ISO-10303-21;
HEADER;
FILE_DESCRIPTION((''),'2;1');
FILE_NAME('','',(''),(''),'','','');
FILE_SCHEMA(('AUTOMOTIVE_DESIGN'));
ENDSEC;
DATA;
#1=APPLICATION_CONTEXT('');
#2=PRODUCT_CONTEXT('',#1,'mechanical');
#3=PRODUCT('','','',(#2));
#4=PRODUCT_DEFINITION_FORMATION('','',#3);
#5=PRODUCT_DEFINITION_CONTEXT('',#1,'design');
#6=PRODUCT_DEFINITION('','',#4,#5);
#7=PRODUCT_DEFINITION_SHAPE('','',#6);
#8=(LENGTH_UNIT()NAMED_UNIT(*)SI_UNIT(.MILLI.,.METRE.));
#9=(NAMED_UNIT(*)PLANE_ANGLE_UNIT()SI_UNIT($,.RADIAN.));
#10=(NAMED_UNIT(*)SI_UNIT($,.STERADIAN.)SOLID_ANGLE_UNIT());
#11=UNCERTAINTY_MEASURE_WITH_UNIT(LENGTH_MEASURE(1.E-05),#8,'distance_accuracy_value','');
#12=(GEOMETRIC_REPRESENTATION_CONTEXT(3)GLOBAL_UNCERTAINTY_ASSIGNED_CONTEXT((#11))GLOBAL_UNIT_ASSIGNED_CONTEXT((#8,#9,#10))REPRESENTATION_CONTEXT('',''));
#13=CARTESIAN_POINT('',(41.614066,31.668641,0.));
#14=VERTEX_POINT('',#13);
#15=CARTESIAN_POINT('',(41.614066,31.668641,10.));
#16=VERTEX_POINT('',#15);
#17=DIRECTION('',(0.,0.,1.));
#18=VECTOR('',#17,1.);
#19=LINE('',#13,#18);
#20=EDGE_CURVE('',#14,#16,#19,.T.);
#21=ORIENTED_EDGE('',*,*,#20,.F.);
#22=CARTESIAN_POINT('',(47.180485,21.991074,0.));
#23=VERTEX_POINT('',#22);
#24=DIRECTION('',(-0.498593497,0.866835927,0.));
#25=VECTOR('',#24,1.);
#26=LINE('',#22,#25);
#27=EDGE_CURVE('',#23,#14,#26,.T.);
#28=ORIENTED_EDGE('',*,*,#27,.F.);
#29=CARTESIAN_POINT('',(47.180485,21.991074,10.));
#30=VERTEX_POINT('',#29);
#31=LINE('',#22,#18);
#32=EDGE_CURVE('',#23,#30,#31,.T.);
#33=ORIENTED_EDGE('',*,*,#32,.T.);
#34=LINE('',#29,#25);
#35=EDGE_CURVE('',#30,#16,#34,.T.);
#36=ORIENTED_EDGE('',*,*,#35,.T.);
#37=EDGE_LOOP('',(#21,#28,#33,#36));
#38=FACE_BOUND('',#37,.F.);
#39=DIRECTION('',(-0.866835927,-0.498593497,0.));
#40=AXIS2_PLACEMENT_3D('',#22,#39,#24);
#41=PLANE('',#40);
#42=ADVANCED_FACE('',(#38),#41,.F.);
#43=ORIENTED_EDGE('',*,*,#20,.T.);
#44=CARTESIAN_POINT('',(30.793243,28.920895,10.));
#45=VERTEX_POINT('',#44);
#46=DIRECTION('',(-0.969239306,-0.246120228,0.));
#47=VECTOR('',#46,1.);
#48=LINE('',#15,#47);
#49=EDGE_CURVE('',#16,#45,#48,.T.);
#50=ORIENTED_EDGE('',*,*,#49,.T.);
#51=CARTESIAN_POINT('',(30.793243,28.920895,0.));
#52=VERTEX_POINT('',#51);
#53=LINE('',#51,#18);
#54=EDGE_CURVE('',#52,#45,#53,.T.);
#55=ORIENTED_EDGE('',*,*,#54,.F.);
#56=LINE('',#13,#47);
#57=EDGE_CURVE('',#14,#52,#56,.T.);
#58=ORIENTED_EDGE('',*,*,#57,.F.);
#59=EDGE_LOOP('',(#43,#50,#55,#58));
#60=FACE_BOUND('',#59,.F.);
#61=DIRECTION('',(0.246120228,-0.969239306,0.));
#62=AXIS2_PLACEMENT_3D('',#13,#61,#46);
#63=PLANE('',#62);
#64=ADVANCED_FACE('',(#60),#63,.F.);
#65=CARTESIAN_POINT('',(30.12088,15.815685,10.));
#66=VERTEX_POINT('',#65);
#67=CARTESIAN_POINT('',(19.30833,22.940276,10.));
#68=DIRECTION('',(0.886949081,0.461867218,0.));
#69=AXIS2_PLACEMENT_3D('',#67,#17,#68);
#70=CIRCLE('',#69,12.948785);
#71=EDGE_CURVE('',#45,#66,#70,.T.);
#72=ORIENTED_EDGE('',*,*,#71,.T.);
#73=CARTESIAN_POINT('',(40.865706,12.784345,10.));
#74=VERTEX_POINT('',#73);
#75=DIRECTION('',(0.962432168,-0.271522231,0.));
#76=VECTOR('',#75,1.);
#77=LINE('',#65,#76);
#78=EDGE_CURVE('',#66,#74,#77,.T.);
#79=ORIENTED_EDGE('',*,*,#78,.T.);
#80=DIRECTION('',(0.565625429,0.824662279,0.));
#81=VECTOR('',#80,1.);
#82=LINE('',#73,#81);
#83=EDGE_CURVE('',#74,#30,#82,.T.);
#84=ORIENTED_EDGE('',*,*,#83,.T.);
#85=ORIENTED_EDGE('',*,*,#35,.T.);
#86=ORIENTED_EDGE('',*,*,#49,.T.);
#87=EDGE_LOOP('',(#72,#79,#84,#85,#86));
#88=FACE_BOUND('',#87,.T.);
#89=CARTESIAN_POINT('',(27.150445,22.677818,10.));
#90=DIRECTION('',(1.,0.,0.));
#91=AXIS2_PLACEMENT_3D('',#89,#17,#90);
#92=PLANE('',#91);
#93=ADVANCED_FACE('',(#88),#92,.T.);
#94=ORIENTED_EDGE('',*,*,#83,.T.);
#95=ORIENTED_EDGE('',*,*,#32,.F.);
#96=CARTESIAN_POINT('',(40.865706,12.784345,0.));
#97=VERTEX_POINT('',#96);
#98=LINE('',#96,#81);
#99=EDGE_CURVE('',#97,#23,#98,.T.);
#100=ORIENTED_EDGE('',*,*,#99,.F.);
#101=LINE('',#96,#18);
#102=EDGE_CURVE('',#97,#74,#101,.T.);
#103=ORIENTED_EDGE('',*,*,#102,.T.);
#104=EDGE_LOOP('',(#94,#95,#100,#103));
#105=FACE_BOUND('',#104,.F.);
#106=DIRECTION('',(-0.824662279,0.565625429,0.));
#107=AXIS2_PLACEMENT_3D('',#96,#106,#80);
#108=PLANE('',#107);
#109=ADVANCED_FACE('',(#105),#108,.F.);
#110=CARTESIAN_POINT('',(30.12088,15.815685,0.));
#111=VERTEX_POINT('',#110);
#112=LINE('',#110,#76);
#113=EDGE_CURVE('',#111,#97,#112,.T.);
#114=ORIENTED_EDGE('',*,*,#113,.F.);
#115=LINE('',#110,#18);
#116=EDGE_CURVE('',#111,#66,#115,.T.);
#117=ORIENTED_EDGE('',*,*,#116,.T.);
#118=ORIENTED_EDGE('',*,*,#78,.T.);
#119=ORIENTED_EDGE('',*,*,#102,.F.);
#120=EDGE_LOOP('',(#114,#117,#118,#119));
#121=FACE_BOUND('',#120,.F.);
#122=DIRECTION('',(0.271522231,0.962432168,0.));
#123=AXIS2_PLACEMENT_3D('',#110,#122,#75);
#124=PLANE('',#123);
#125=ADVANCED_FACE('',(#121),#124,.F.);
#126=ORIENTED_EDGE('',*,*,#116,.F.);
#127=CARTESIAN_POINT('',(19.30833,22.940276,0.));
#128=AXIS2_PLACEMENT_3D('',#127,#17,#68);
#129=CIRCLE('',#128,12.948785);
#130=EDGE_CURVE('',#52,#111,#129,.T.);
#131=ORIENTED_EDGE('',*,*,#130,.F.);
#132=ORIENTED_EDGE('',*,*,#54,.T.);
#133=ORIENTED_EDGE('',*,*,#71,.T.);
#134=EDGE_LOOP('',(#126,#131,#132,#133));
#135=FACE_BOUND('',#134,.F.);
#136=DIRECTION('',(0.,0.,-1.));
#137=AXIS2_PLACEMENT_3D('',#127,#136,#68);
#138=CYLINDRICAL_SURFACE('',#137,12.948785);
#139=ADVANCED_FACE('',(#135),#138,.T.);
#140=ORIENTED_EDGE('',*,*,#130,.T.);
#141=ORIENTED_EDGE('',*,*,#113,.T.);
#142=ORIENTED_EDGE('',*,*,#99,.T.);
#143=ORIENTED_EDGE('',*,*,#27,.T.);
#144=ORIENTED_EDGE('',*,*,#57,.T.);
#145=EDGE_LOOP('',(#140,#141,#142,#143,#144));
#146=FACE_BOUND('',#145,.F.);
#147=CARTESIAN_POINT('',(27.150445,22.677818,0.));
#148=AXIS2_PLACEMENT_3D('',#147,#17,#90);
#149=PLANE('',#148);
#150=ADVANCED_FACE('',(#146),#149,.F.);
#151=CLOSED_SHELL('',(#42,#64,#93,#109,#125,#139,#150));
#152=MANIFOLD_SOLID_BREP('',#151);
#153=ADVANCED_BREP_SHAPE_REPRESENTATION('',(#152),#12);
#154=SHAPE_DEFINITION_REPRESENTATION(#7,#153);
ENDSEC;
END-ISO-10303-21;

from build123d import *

# Parameters (mm, degrees)
PAD_DEPTH = 10


with BuildPart() as part:
    # Sketch → Pad (new body)
    with BuildSketch(Plane.XY):
        with BuildLine():
            ThreePointArc((30.793243, 28.920895), (6.376554, 23.603742), (30.12088, 15.815685))
            Line((30.12088, 15.815685), (40.865706, 12.784345))
            Line((40.865706, 12.784345), (47.180485, 21.991074))
            Line((47.180485, 21.991074), (41.614066, 31.668641))
            Line((41.614066, 31.668641), (30.793243, 28.920895))
        make_face()
    extrude(amount=PAD_DEPTH)


solid = part.part
